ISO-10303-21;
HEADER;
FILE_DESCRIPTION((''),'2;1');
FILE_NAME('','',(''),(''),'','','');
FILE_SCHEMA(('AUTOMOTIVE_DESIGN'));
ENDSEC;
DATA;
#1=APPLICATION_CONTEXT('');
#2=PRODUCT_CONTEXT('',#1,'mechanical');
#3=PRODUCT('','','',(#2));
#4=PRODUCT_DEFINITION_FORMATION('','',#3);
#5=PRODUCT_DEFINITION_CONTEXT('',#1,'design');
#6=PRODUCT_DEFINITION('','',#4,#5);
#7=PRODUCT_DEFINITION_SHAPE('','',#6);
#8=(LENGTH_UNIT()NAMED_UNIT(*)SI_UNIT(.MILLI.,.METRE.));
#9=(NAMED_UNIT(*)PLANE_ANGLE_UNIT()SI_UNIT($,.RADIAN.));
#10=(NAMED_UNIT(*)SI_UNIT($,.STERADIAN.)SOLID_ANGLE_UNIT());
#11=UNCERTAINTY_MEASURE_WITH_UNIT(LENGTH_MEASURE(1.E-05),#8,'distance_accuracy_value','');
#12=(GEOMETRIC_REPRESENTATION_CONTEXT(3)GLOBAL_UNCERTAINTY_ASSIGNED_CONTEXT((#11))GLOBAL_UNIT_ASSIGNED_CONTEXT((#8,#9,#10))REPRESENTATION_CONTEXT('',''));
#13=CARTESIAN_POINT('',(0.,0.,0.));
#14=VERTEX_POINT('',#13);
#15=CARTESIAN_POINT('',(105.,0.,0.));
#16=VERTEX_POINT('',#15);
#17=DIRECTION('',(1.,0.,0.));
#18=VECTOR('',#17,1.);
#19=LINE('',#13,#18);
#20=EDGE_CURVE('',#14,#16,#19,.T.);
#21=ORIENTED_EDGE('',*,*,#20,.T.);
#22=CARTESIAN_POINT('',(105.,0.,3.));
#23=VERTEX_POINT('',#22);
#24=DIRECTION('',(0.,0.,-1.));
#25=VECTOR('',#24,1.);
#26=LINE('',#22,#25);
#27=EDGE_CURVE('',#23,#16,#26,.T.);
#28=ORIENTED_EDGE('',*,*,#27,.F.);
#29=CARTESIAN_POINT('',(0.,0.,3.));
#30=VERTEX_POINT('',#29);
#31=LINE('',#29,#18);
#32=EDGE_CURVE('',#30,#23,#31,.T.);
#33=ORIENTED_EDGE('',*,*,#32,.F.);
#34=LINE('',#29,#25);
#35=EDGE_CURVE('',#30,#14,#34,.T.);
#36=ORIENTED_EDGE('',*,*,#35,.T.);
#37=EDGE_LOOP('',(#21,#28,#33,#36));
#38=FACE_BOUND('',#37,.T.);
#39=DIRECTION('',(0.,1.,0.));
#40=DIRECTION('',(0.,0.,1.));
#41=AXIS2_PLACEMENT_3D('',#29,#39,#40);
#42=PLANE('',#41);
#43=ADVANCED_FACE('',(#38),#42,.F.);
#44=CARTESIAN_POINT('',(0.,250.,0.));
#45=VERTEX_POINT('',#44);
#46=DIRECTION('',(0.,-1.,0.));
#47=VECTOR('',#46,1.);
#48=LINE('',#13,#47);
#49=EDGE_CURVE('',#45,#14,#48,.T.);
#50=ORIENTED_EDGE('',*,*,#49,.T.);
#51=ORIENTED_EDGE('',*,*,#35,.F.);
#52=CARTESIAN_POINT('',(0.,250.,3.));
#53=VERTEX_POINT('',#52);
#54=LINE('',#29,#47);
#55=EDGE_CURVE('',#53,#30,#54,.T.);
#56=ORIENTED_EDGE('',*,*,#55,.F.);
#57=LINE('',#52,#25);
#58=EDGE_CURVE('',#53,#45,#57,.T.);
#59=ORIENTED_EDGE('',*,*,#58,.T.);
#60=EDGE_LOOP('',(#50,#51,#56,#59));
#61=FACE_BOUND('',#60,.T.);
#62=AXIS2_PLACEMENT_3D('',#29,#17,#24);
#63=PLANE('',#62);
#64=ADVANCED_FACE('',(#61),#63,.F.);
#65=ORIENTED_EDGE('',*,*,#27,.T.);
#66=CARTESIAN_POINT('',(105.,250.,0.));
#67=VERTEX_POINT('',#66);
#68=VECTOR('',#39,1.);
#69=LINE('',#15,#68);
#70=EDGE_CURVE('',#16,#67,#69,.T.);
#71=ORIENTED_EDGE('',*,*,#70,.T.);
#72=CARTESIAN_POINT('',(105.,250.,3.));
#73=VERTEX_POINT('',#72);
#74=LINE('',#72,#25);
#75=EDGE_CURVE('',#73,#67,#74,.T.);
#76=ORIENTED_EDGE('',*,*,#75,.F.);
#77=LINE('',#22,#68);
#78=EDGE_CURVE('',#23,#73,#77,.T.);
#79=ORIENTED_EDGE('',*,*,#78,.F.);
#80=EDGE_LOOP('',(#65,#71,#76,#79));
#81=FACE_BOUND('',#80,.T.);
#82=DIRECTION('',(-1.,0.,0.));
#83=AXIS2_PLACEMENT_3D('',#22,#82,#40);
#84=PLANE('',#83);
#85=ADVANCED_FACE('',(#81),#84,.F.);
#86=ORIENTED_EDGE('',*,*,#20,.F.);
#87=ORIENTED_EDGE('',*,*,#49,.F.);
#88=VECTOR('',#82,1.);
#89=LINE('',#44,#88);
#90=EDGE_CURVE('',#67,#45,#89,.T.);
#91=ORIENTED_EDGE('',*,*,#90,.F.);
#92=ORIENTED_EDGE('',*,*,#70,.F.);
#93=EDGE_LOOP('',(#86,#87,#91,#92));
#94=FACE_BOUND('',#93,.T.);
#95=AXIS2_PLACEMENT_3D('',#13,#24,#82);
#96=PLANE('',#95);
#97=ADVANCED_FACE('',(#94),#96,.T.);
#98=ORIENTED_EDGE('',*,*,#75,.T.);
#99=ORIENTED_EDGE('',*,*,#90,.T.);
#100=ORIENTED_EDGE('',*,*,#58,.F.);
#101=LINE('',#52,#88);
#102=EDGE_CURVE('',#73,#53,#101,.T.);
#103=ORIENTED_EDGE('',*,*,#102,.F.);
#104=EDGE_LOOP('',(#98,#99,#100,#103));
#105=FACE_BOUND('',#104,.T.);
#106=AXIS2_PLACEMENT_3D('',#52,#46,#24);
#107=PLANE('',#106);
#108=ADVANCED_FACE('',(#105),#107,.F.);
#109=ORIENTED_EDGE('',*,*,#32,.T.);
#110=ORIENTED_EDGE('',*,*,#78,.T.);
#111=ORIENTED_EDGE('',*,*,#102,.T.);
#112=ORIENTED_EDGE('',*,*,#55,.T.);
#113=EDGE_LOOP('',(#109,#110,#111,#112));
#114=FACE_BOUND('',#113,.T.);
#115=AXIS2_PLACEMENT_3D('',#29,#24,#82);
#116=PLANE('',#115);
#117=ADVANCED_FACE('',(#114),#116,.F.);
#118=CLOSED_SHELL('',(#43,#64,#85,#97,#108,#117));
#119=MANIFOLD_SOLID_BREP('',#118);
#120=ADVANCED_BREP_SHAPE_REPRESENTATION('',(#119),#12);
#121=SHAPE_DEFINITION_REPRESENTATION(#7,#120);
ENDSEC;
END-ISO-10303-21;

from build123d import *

# Parameters (mm, degrees)
SKETCH_1_W      = 105
SKETCH_1_H      = 250
EXTRUDE_1_DEPTH = 3


with BuildPart() as part:
    # 스케치1 → 보스-돌출1 (new body)
    with BuildSketch(Plane.XY):
        with Locations((52.5, 125)):
            Rectangle(SKETCH_1_W, SKETCH_1_H)
    extrude(amount=EXTRUDE_1_DEPTH)


solid = part.part
